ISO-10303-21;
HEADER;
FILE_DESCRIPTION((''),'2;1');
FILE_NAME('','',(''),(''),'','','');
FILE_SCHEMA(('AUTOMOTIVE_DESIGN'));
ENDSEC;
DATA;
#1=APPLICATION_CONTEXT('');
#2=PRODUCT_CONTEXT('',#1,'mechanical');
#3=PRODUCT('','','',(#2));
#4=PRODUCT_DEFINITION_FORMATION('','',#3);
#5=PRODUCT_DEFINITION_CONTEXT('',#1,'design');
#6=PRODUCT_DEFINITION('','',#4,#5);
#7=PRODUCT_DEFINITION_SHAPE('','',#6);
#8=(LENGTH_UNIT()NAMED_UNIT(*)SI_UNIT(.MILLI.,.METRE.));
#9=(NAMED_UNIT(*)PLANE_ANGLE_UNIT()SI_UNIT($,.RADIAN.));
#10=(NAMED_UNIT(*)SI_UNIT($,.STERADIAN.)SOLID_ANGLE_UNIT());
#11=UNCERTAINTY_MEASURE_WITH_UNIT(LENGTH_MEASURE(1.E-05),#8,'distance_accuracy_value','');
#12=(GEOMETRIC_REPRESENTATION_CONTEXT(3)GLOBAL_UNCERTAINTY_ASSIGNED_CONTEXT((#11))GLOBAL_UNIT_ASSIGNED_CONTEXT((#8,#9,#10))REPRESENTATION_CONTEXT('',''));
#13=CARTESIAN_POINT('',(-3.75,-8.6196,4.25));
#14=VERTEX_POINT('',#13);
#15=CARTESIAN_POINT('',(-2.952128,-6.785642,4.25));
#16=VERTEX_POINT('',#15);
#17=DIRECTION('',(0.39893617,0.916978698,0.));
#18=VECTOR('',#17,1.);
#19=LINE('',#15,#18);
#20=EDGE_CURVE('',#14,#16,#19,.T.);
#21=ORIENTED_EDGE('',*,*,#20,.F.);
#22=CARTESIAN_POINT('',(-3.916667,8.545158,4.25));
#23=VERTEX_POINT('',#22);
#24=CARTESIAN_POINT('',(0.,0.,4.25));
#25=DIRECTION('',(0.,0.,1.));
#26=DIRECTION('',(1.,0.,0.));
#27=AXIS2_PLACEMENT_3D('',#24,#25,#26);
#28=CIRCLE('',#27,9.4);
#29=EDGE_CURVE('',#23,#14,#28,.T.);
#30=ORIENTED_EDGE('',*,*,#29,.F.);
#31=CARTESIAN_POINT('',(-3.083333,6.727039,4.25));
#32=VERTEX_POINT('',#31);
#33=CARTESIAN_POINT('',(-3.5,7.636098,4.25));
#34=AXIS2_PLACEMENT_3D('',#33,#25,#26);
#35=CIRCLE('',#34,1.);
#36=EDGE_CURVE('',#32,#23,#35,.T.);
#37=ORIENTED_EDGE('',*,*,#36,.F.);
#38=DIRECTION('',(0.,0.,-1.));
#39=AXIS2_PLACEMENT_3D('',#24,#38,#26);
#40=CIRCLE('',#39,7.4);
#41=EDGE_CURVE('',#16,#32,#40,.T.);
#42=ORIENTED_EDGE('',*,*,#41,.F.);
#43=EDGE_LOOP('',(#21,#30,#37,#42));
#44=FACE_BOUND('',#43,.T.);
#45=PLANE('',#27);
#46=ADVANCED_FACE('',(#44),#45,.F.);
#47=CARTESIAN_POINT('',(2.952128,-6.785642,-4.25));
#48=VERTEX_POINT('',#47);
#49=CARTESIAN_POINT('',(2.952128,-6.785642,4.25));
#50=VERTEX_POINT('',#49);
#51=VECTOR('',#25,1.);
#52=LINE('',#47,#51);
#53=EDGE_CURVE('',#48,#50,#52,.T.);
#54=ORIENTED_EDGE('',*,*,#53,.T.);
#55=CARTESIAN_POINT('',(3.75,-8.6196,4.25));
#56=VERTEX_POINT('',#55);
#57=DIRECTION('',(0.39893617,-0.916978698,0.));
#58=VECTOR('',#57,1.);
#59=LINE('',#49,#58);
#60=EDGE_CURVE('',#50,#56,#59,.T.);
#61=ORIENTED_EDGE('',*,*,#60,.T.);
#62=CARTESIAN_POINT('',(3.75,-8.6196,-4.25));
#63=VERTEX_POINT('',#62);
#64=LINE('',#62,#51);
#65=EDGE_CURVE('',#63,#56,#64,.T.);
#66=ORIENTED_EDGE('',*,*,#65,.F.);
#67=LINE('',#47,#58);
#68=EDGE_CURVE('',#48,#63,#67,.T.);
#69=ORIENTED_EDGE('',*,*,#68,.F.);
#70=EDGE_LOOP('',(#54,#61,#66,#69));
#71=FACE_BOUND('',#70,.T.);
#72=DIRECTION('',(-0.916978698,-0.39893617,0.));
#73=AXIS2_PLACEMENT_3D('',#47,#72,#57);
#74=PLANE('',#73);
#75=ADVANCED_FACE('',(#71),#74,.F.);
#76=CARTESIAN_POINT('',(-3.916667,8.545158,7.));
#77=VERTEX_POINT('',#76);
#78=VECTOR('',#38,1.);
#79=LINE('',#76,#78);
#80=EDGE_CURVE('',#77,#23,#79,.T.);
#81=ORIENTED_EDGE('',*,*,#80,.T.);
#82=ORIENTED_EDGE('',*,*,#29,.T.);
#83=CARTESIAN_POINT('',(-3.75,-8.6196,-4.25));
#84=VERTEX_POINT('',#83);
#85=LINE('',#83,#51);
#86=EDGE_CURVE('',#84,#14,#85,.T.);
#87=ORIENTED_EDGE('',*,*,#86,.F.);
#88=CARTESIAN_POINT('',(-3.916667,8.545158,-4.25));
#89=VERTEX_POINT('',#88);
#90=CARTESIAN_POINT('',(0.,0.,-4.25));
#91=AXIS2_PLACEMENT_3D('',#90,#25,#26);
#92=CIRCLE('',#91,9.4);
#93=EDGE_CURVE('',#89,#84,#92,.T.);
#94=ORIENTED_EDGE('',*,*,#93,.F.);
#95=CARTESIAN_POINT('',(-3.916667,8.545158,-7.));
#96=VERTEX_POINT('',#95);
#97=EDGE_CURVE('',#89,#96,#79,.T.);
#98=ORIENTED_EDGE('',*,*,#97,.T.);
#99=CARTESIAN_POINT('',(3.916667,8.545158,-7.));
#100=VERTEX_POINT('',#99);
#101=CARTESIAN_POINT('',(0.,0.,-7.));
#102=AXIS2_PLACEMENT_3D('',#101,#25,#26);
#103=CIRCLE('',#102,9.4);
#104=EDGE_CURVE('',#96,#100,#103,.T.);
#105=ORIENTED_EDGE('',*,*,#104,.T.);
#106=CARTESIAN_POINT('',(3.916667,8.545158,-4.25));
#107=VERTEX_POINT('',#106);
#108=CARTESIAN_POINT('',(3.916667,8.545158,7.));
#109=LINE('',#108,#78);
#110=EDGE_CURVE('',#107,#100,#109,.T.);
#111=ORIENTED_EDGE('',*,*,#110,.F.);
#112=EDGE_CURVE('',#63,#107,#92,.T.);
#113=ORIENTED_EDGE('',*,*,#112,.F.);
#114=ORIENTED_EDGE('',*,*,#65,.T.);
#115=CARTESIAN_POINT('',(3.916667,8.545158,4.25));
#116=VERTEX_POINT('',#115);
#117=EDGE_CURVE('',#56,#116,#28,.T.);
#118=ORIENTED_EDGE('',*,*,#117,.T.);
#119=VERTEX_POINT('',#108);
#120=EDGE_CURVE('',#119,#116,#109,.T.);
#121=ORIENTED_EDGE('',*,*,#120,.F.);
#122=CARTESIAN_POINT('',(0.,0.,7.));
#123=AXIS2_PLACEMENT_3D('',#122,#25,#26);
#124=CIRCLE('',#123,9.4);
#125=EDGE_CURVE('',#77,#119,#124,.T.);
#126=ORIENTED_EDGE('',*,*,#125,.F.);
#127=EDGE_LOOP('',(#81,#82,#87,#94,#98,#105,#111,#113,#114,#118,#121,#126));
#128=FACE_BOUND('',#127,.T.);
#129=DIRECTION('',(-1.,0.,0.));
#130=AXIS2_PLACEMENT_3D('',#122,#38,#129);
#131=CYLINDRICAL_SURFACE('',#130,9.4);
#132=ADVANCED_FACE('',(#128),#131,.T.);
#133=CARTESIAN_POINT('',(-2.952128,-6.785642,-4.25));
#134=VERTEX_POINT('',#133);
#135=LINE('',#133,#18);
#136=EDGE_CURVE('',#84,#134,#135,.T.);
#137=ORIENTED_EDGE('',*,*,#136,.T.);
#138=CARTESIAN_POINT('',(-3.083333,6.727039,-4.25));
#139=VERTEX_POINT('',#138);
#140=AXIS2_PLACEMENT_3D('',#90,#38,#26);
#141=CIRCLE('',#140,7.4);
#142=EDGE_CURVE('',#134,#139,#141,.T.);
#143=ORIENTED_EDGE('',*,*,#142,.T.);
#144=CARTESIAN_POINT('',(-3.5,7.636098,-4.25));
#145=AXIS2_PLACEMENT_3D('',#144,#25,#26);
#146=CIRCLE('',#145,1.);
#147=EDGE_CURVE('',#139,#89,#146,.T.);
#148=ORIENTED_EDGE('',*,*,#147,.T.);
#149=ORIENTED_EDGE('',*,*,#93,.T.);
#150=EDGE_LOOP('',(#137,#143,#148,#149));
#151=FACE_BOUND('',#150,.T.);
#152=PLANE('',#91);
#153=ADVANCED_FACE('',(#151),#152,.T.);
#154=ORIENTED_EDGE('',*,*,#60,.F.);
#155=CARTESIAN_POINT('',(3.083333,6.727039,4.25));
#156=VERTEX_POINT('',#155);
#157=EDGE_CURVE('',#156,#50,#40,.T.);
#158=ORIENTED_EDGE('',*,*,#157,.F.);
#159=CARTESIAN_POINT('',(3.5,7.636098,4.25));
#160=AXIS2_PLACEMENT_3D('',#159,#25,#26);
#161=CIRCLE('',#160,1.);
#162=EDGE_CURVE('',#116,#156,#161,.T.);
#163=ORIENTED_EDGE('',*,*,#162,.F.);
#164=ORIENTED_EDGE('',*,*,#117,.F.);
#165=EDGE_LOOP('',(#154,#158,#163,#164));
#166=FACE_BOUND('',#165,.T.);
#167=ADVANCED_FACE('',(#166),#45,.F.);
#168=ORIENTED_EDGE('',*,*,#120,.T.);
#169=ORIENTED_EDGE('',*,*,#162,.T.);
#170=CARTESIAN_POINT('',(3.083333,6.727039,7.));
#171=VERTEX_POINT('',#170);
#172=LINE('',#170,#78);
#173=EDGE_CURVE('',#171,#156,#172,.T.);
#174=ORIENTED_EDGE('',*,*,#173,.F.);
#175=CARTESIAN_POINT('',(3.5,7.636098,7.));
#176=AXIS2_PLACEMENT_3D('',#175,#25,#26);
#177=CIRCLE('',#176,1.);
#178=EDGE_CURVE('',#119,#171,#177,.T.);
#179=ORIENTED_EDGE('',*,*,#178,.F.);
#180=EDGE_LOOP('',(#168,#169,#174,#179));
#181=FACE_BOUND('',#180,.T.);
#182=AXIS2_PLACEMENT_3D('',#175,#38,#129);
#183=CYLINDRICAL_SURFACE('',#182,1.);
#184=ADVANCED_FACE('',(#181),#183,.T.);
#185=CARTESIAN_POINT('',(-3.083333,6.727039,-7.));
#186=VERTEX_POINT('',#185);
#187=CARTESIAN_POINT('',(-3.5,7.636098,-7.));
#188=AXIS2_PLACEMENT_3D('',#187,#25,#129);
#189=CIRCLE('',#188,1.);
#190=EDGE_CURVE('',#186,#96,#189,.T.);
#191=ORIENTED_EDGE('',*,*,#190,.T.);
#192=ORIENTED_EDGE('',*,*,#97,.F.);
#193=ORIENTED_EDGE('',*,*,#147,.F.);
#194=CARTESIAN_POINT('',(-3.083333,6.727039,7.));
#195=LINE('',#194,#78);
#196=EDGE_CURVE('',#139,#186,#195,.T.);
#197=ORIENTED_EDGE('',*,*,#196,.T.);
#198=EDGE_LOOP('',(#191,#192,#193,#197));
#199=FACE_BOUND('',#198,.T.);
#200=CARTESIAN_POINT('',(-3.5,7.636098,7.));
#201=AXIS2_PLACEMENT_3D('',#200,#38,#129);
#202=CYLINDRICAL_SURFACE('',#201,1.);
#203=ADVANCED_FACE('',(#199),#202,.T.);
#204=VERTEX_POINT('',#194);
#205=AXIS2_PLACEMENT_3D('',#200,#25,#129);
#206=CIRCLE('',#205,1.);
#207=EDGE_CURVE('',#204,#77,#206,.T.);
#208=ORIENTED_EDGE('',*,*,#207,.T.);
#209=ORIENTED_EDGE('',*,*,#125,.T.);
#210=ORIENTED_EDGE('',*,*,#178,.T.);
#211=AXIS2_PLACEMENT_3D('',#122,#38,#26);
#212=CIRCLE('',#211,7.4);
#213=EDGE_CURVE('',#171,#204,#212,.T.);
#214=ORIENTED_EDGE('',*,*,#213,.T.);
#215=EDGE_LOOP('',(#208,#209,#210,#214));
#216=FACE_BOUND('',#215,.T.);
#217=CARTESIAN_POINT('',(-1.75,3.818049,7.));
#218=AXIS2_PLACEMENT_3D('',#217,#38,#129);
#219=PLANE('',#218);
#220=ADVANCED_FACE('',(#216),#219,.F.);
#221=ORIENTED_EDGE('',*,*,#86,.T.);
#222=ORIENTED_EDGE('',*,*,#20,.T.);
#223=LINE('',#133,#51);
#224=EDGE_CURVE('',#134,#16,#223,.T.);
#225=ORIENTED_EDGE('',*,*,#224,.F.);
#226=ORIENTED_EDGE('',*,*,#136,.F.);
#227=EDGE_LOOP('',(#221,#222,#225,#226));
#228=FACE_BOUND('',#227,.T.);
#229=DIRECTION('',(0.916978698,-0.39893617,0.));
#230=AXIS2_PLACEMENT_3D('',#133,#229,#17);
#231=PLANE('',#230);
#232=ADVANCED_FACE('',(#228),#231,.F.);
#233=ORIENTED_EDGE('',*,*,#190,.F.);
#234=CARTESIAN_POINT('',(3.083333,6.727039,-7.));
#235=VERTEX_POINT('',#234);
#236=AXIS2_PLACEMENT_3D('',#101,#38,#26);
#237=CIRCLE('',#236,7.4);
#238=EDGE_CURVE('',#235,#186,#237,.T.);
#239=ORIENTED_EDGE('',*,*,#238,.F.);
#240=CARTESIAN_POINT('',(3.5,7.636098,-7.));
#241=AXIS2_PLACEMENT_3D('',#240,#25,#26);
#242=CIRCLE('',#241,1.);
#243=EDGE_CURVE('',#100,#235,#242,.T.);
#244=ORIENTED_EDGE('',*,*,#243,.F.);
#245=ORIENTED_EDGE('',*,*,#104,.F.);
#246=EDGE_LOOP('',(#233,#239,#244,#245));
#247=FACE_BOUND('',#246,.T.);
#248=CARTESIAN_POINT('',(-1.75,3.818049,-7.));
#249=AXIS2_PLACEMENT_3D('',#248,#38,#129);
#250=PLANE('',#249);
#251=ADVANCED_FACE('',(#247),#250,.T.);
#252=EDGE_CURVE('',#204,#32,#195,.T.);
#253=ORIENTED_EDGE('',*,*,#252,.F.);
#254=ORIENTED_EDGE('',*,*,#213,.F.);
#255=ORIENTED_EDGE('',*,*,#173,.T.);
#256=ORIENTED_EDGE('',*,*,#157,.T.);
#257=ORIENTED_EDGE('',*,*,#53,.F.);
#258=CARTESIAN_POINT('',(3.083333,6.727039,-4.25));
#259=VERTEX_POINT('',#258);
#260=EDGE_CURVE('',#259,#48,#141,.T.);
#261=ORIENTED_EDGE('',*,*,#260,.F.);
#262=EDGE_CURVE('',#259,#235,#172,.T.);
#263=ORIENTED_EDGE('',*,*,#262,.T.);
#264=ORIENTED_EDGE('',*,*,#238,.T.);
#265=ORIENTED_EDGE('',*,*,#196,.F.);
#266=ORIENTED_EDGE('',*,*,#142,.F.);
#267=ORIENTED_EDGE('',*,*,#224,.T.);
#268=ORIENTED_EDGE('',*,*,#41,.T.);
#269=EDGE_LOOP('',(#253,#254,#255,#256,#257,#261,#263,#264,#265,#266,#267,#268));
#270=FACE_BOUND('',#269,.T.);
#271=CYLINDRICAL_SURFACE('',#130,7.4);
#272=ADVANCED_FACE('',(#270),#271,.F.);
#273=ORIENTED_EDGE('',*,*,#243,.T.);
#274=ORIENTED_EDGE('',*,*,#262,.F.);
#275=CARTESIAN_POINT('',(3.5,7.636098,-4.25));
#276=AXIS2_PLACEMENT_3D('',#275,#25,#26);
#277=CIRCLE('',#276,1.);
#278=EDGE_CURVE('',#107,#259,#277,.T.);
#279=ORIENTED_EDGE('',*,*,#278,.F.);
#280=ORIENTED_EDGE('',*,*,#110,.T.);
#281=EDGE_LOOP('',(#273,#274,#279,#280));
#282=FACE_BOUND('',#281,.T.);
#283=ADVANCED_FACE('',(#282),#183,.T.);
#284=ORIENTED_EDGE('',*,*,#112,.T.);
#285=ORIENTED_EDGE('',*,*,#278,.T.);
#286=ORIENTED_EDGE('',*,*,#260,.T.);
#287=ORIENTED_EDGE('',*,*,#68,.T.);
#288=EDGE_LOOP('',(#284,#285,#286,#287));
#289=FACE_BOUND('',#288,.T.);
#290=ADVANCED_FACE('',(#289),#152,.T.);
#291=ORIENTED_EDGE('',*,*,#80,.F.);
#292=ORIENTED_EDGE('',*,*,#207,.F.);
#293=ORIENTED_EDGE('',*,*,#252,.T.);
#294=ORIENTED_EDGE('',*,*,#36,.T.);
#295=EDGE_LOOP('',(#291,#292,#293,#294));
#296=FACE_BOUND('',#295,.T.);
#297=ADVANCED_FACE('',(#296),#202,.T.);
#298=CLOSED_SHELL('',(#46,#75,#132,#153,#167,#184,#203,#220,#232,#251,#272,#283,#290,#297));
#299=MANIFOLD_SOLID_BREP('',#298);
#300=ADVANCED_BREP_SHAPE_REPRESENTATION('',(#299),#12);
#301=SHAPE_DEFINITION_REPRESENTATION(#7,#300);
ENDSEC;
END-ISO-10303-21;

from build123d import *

# Parameters (mm, degrees)
EXTRUDE_1_DEPTH     = 7
CUT_EXTRUDE_1_DEPTH = 4.25


with BuildPart() as part:
    # 草图1 → 凸台-拉伸1 (new body, symmetric)
    with BuildSketch(Plane.XY):
        with BuildLine():
            ThreePointArc((-3.083333333, 6.727039137), (0, -7.4), (3.083333333, 6.727039137))
            ThreePointArc((3.083333333, 6.727039137), (2.590940657, 8.052765147), (3.916666667, 8.545157823))
            ThreePointArc((3.916666667, 8.545157823), (0, -9.4), (-3.916666667, 8.545157823))
            ThreePointArc((-3.916666667, 8.545157823), (-2.590940657, 8.052765147), (-3.083333333, 6.727039137))
        make_face()
    extrude(amount=EXTRUDE_1_DEPTH, both=True)

    # 草图2 → 切除-拉伸1 (cut, symmetric)
    with BuildSketch(Plane.XY):
        with BuildLine():
            Line((-2.95212766, -6.785642363), (-3.75, -8.619599759))
            ThreePointArc((-3.75, -8.619599759), (-9.399556913, -0.091267984), (-3.916666667, 8.545157823))
            ThreePointArc((-3.916666667, 8.545157823), (-2.590940657, 8.052765147), (-3.083333333, 6.727039137))
            ThreePointArc((-3.083333333, 6.727039137), (-7.399651187, -0.071849264), (-2.95212766, -6.785642363))
        make_face()
        with BuildLine():
            Line((2.95212766, -6.785642363), (3.75, -8.619599759))
            ThreePointArc((3.75, -8.619599759), (9.399556913, -0.091267984), (3.916666667, 8.545157823))
            ThreePointArc((3.916666667, 8.545157823), (2.590940657, 8.052765147), (3.083333333, 6.727039137))
            ThreePointArc((3.083333333, 6.727039137), (7.399651187, -0.071849264), (2.95212766, -6.785642363))
        make_face()
    extrude(amount=CUT_EXTRUDE_1_DEPTH, both=True, mode=Mode.SUBTRACT)


solid = part.part
